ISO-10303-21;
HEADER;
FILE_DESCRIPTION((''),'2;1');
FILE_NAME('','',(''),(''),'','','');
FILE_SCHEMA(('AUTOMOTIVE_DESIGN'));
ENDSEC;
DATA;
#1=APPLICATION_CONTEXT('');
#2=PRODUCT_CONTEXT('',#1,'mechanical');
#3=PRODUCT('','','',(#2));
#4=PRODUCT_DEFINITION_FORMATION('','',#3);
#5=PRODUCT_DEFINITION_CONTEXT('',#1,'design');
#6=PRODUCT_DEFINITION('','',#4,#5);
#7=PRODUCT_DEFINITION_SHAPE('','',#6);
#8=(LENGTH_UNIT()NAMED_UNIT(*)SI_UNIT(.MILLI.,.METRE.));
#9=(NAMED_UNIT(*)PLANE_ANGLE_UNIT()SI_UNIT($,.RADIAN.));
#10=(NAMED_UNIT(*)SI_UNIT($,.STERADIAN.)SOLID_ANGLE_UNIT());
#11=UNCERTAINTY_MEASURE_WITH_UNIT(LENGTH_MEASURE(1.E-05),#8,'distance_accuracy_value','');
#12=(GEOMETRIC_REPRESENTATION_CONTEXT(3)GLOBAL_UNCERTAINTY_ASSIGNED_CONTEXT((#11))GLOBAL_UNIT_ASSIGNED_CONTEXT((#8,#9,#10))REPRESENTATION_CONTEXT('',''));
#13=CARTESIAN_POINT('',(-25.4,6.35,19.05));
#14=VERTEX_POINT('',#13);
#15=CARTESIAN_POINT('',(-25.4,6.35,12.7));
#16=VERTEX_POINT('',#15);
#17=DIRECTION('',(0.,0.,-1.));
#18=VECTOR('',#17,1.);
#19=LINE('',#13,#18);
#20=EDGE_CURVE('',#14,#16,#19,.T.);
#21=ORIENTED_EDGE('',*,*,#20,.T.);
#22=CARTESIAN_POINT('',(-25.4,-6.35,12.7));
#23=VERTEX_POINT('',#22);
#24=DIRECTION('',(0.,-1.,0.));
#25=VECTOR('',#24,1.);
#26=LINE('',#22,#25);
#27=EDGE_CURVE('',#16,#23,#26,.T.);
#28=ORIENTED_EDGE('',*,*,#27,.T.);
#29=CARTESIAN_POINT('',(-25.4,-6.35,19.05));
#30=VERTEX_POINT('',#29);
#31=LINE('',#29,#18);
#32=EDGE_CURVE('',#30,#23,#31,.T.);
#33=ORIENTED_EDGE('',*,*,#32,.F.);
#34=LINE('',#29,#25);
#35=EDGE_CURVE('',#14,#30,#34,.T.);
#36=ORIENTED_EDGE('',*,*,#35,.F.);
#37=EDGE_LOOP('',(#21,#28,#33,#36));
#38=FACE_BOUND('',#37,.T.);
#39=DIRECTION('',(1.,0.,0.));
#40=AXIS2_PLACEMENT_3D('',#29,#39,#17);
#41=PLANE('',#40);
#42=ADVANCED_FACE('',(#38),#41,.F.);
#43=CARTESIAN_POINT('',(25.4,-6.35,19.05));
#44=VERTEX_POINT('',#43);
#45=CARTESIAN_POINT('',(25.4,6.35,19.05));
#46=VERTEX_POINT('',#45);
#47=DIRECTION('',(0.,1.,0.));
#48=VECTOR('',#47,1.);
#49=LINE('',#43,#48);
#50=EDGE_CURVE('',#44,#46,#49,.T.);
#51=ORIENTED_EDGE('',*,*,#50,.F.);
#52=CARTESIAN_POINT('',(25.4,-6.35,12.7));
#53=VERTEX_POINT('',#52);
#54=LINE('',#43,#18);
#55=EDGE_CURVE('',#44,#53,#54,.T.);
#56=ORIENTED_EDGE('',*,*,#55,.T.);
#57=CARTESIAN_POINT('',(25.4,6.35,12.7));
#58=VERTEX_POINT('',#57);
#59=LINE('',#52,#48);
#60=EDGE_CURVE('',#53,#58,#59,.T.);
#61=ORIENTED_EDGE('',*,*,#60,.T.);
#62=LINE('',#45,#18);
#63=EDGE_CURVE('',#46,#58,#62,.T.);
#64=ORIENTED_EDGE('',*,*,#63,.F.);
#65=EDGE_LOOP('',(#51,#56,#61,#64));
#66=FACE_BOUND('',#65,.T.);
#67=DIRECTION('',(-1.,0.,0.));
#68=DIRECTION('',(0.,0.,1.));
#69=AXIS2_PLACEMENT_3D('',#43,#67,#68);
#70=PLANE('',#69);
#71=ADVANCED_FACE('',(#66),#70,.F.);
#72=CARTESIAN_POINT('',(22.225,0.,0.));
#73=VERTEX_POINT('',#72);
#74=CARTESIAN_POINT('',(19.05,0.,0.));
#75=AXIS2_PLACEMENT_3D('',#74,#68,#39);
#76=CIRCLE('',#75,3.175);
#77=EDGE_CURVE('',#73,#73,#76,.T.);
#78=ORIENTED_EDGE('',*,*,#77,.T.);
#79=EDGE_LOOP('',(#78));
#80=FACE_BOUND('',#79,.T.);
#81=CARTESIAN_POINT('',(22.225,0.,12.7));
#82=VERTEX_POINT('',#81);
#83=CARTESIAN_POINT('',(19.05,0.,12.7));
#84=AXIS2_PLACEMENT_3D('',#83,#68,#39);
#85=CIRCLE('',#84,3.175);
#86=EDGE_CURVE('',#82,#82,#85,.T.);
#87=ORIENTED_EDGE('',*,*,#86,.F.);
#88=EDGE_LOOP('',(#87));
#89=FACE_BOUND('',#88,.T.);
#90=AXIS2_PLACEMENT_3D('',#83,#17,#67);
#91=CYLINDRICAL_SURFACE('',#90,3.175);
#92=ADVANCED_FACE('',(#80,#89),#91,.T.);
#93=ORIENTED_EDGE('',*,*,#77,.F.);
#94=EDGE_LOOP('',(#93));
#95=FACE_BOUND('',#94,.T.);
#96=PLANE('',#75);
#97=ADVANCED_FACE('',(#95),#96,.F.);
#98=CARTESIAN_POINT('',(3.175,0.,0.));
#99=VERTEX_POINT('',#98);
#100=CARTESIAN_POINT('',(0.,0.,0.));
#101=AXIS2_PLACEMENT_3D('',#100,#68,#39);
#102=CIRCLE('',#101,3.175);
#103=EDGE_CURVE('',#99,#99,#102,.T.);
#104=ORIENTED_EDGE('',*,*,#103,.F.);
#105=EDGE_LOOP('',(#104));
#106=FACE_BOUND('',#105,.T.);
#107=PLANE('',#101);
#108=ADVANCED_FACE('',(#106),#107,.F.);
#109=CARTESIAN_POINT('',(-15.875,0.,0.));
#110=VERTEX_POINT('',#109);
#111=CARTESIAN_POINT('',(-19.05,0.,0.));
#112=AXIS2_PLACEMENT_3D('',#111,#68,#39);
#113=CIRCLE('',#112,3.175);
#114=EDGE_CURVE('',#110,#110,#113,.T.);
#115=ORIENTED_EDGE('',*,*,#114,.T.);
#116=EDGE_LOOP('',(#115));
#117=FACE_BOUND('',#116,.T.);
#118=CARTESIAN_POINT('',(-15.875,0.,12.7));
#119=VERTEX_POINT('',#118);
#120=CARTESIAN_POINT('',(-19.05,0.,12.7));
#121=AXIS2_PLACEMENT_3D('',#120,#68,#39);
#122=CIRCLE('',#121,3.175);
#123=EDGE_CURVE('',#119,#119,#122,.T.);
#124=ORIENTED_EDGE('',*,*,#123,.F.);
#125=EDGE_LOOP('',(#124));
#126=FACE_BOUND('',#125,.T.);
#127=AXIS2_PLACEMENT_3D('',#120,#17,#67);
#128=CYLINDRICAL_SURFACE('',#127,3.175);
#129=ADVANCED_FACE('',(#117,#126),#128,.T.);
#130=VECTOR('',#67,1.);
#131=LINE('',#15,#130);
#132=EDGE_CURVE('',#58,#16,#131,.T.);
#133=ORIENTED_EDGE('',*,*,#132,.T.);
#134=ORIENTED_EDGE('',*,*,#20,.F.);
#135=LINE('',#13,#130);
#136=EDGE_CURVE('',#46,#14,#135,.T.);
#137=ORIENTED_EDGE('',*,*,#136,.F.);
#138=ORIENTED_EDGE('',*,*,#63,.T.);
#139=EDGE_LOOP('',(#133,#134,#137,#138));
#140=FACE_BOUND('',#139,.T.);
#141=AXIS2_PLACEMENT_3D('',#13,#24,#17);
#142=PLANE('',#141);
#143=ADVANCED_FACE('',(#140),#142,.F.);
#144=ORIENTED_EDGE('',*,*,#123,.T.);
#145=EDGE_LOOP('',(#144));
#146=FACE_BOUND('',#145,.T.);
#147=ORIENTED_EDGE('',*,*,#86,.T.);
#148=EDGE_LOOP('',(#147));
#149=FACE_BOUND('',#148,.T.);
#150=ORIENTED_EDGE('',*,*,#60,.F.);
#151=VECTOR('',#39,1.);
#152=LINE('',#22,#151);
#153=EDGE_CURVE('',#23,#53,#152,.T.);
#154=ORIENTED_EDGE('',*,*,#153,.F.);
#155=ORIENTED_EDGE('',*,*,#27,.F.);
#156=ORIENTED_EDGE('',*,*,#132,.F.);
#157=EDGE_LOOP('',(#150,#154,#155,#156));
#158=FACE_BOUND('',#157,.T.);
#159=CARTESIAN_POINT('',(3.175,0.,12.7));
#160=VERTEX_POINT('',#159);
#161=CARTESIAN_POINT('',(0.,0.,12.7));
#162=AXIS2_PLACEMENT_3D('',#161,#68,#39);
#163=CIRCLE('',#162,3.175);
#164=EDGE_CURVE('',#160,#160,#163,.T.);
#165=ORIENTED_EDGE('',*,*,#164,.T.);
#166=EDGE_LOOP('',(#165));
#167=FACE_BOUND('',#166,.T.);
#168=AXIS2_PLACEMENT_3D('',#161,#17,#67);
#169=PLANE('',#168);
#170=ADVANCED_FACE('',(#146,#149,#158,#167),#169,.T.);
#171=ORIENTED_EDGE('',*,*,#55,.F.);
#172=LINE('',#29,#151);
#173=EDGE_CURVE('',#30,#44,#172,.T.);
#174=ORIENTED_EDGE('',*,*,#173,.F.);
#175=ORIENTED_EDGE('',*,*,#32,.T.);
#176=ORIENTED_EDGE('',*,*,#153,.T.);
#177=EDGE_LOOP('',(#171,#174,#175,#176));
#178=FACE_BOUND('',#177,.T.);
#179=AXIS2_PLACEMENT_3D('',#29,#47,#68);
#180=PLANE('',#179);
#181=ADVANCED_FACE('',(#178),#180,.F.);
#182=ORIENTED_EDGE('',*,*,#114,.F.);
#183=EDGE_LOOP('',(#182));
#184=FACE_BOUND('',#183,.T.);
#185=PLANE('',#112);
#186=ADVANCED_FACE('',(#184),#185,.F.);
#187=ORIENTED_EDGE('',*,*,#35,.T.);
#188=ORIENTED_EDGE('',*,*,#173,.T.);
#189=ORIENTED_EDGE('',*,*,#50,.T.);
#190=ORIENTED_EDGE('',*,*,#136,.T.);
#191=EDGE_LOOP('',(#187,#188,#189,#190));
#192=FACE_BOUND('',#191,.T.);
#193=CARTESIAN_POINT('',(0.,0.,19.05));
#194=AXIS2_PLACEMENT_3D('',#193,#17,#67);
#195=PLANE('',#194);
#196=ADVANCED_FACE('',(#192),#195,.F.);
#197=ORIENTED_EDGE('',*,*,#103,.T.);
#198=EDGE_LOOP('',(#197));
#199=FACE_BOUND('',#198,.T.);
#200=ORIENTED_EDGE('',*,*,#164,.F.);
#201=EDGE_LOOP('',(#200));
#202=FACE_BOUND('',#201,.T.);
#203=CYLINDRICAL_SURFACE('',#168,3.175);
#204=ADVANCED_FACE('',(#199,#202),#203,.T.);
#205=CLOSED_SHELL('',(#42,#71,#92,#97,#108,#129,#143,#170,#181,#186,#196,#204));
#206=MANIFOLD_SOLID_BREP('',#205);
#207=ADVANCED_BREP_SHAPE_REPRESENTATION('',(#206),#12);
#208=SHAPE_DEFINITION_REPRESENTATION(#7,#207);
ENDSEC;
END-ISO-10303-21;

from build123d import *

# Parameters (mm, degrees)
SKETCH1_R             = 3.175
BOSS_EXTRUDE1_DEPTH   = 12.7
BOSS_EXTRUDE1_2_DEPTH = 12.7
BOSS_EXTRUDE1_3_DEPTH = 12.7
SKETCH2_W             = 50.8
SKETCH2_H             = 12.7
BOSS_EXTRUDE2_DEPTH   = 6.35


with BuildPart() as part:
    # Sketch1 → Boss-Extrude1 (new body)
    with BuildSketch(Plane.XY):
        Circle(SKETCH1_R)
    extrude(amount=BOSS_EXTRUDE1_DEPTH)



with BuildPart() as body_2:
    # Sketch1 → Boss-Extrude1 2 (new body)
    with BuildSketch(Plane.XY):
        with Locations((19.05, 0)):
            Circle(SKETCH1_R)
    extrude(amount=BOSS_EXTRUDE1_2_DEPTH)


with BuildPart() as body_3:
    # Sketch1 → Boss-Extrude1 3 (new body)
    with BuildSketch(Plane.XY):
        with Locations((-19.05, 0)):
            Circle(SKETCH1_R)
    extrude(amount=BOSS_EXTRUDE1_3_DEPTH)


with BuildPart() as part_1:
    add(part.part)

    add(body_2.part)  # Boss-Extrude2 merges body 2

    add(body_3.part)  # Boss-Extrude2 merges body 3
    # Sketch2 → Boss-Extrude2 (add)
    with BuildSketch(Plane.XY.offset(12.7)):
        Rectangle(SKETCH2_W, SKETCH2_H)
    extrude(amount=BOSS_EXTRUDE2_DEPTH)


solid = part_1.part
